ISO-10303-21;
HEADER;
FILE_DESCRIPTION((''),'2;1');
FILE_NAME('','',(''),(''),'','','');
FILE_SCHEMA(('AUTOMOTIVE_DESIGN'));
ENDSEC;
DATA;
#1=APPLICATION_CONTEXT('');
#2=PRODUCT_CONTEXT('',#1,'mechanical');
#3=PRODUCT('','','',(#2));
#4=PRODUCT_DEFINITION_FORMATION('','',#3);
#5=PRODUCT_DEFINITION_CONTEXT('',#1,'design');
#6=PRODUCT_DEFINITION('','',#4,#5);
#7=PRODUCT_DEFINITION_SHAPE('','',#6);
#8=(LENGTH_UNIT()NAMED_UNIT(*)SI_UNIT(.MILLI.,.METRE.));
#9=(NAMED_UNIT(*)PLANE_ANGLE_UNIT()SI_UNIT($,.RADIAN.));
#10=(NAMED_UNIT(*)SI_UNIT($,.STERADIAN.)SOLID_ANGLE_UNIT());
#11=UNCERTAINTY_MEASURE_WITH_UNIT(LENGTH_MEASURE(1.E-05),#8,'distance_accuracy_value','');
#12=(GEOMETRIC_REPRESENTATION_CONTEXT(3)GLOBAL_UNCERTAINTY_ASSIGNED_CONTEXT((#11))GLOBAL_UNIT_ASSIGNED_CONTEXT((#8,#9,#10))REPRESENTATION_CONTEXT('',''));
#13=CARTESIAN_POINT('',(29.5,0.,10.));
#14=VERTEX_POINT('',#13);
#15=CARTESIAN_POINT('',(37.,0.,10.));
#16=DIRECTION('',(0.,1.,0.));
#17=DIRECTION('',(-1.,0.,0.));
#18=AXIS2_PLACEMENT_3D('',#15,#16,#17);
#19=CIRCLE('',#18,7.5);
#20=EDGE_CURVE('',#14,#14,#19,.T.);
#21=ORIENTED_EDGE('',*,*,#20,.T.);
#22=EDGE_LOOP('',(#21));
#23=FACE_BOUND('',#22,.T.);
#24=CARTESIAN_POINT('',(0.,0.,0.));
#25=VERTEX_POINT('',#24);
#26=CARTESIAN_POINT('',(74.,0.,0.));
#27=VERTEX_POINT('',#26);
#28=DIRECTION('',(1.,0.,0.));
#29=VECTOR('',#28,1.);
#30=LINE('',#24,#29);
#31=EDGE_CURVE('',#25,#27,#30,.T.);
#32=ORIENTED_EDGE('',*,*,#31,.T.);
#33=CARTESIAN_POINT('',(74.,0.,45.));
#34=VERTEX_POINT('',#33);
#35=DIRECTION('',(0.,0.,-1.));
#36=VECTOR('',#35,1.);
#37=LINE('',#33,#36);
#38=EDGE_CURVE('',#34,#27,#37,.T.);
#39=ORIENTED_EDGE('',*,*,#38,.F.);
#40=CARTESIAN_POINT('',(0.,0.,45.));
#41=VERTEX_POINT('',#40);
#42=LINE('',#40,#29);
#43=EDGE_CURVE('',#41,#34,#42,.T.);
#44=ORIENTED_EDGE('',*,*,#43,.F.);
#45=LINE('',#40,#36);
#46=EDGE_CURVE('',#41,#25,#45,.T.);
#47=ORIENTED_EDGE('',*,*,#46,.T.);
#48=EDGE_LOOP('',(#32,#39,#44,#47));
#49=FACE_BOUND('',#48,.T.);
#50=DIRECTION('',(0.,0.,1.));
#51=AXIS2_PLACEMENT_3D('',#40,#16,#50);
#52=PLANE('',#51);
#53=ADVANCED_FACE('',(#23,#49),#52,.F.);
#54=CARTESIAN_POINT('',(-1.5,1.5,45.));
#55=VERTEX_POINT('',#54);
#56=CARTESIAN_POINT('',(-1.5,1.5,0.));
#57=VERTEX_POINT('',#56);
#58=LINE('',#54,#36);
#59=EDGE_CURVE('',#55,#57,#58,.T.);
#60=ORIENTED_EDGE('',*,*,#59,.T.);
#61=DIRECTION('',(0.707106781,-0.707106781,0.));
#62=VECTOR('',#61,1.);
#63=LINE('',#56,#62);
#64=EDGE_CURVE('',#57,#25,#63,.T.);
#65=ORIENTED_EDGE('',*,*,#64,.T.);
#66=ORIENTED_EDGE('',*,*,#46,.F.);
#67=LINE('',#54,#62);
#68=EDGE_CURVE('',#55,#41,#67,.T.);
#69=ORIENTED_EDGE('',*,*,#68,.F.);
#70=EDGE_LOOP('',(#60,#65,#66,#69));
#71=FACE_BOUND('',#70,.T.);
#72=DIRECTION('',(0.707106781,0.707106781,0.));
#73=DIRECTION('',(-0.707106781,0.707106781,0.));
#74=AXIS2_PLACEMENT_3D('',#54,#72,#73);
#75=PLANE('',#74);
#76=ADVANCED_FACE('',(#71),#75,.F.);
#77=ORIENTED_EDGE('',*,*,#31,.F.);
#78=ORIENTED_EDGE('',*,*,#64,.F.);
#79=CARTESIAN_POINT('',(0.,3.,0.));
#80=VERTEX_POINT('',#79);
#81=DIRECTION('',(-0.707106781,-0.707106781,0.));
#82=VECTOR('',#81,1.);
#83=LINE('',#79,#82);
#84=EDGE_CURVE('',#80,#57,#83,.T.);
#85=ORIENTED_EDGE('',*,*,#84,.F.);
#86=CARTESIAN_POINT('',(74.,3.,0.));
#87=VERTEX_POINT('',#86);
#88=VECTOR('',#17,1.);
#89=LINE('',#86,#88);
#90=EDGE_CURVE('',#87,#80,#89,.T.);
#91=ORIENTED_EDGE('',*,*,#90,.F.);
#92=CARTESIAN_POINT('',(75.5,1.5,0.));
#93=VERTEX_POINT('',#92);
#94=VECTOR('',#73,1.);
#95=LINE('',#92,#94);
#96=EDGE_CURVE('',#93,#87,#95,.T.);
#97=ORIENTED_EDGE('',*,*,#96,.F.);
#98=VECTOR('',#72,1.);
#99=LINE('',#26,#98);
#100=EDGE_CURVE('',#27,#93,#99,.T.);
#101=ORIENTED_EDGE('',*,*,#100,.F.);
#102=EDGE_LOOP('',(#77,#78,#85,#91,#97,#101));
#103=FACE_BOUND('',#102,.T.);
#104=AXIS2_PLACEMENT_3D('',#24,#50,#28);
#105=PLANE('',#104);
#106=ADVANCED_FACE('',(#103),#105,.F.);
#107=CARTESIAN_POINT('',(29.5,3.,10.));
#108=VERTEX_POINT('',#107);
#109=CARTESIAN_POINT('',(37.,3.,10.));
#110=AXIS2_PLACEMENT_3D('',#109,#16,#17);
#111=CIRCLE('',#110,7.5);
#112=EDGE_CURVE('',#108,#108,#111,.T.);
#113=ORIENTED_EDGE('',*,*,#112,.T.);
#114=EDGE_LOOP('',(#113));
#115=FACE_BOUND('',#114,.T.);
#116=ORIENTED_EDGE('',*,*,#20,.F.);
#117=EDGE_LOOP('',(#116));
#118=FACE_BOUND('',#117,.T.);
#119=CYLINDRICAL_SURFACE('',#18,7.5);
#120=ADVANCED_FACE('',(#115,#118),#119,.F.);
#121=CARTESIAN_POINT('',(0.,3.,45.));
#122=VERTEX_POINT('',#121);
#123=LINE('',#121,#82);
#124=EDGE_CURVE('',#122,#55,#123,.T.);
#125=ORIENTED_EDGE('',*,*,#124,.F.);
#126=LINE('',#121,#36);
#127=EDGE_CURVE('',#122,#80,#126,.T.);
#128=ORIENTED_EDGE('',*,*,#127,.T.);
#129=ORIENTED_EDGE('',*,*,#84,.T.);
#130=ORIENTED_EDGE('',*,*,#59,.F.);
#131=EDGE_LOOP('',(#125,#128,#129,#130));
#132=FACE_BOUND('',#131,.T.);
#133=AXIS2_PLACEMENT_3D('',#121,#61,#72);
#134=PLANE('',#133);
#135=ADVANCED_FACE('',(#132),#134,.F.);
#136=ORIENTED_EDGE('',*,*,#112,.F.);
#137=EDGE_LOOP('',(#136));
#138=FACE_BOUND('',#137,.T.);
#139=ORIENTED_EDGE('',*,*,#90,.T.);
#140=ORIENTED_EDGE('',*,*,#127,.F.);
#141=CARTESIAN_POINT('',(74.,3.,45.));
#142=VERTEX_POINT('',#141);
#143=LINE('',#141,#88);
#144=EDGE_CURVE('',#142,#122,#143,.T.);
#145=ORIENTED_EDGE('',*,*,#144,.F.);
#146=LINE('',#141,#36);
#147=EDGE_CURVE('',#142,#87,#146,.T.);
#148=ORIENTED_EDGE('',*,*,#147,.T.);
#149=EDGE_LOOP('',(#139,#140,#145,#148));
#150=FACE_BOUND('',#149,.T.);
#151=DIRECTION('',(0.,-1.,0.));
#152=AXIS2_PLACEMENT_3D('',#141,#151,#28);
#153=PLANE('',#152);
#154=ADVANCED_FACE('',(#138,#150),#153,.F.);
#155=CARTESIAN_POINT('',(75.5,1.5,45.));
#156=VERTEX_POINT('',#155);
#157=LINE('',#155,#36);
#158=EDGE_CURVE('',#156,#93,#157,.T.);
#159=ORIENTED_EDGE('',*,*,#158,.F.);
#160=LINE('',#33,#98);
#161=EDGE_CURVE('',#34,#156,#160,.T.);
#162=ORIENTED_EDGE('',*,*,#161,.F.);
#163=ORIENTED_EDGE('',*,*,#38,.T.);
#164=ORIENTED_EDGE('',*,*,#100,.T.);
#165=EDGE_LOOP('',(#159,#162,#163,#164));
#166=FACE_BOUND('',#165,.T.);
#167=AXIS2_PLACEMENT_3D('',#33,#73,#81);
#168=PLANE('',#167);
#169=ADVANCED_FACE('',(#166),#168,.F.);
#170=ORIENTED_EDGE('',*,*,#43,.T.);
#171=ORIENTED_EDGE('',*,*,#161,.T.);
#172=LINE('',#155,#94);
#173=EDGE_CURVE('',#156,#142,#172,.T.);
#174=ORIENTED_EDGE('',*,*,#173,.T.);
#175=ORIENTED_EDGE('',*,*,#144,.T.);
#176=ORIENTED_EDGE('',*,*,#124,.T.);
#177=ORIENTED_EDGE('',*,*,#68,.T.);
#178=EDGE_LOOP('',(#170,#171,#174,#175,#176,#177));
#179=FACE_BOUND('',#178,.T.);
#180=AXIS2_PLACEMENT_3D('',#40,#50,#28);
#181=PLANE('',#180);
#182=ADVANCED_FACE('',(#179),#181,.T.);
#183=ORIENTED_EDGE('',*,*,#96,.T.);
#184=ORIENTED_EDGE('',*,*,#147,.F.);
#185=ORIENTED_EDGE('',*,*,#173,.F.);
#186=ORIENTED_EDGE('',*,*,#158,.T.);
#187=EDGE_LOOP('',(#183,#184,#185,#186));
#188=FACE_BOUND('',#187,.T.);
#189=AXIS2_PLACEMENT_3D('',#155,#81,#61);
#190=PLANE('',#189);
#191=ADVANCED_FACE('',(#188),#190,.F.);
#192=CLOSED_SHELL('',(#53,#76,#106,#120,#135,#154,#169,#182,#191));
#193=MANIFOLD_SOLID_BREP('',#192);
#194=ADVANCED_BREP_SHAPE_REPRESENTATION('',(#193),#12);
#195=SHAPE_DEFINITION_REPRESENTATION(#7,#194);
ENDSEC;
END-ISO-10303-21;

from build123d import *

# Parameters (mm, degrees)
BOSS_EXTRU_1_DEPTH      = 45
ESQUISSE2_R             = 7.5
ENL_V_MAT_EXTRU_1_DEPTH = 4


with BuildPart() as part:
    # Esquisse1 → Boss.-Extru.1 (new body)
    with BuildSketch(Plane.XY):
        Polygon((0, 0), (74, 0), (75.5, 1.5), (74, 3), (0, 3), (-1.5, 1.5), align=None)
    extrude(amount=BOSS_EXTRU_1_DEPTH)

    # Esquisse2 → Enlèv. mat.-Extru.1 (cut, through all)
    with BuildSketch(Plane(origin=(0, 3, 0), x_dir=(1, 0, 0), z_dir=(0, 1, 0))):
        with Locations((37, -10)):
            Circle(ESQUISSE2_R)
    extrude(amount=-ENL_V_MAT_EXTRU_1_DEPTH, mode=Mode.SUBTRACT)


solid = part.part
